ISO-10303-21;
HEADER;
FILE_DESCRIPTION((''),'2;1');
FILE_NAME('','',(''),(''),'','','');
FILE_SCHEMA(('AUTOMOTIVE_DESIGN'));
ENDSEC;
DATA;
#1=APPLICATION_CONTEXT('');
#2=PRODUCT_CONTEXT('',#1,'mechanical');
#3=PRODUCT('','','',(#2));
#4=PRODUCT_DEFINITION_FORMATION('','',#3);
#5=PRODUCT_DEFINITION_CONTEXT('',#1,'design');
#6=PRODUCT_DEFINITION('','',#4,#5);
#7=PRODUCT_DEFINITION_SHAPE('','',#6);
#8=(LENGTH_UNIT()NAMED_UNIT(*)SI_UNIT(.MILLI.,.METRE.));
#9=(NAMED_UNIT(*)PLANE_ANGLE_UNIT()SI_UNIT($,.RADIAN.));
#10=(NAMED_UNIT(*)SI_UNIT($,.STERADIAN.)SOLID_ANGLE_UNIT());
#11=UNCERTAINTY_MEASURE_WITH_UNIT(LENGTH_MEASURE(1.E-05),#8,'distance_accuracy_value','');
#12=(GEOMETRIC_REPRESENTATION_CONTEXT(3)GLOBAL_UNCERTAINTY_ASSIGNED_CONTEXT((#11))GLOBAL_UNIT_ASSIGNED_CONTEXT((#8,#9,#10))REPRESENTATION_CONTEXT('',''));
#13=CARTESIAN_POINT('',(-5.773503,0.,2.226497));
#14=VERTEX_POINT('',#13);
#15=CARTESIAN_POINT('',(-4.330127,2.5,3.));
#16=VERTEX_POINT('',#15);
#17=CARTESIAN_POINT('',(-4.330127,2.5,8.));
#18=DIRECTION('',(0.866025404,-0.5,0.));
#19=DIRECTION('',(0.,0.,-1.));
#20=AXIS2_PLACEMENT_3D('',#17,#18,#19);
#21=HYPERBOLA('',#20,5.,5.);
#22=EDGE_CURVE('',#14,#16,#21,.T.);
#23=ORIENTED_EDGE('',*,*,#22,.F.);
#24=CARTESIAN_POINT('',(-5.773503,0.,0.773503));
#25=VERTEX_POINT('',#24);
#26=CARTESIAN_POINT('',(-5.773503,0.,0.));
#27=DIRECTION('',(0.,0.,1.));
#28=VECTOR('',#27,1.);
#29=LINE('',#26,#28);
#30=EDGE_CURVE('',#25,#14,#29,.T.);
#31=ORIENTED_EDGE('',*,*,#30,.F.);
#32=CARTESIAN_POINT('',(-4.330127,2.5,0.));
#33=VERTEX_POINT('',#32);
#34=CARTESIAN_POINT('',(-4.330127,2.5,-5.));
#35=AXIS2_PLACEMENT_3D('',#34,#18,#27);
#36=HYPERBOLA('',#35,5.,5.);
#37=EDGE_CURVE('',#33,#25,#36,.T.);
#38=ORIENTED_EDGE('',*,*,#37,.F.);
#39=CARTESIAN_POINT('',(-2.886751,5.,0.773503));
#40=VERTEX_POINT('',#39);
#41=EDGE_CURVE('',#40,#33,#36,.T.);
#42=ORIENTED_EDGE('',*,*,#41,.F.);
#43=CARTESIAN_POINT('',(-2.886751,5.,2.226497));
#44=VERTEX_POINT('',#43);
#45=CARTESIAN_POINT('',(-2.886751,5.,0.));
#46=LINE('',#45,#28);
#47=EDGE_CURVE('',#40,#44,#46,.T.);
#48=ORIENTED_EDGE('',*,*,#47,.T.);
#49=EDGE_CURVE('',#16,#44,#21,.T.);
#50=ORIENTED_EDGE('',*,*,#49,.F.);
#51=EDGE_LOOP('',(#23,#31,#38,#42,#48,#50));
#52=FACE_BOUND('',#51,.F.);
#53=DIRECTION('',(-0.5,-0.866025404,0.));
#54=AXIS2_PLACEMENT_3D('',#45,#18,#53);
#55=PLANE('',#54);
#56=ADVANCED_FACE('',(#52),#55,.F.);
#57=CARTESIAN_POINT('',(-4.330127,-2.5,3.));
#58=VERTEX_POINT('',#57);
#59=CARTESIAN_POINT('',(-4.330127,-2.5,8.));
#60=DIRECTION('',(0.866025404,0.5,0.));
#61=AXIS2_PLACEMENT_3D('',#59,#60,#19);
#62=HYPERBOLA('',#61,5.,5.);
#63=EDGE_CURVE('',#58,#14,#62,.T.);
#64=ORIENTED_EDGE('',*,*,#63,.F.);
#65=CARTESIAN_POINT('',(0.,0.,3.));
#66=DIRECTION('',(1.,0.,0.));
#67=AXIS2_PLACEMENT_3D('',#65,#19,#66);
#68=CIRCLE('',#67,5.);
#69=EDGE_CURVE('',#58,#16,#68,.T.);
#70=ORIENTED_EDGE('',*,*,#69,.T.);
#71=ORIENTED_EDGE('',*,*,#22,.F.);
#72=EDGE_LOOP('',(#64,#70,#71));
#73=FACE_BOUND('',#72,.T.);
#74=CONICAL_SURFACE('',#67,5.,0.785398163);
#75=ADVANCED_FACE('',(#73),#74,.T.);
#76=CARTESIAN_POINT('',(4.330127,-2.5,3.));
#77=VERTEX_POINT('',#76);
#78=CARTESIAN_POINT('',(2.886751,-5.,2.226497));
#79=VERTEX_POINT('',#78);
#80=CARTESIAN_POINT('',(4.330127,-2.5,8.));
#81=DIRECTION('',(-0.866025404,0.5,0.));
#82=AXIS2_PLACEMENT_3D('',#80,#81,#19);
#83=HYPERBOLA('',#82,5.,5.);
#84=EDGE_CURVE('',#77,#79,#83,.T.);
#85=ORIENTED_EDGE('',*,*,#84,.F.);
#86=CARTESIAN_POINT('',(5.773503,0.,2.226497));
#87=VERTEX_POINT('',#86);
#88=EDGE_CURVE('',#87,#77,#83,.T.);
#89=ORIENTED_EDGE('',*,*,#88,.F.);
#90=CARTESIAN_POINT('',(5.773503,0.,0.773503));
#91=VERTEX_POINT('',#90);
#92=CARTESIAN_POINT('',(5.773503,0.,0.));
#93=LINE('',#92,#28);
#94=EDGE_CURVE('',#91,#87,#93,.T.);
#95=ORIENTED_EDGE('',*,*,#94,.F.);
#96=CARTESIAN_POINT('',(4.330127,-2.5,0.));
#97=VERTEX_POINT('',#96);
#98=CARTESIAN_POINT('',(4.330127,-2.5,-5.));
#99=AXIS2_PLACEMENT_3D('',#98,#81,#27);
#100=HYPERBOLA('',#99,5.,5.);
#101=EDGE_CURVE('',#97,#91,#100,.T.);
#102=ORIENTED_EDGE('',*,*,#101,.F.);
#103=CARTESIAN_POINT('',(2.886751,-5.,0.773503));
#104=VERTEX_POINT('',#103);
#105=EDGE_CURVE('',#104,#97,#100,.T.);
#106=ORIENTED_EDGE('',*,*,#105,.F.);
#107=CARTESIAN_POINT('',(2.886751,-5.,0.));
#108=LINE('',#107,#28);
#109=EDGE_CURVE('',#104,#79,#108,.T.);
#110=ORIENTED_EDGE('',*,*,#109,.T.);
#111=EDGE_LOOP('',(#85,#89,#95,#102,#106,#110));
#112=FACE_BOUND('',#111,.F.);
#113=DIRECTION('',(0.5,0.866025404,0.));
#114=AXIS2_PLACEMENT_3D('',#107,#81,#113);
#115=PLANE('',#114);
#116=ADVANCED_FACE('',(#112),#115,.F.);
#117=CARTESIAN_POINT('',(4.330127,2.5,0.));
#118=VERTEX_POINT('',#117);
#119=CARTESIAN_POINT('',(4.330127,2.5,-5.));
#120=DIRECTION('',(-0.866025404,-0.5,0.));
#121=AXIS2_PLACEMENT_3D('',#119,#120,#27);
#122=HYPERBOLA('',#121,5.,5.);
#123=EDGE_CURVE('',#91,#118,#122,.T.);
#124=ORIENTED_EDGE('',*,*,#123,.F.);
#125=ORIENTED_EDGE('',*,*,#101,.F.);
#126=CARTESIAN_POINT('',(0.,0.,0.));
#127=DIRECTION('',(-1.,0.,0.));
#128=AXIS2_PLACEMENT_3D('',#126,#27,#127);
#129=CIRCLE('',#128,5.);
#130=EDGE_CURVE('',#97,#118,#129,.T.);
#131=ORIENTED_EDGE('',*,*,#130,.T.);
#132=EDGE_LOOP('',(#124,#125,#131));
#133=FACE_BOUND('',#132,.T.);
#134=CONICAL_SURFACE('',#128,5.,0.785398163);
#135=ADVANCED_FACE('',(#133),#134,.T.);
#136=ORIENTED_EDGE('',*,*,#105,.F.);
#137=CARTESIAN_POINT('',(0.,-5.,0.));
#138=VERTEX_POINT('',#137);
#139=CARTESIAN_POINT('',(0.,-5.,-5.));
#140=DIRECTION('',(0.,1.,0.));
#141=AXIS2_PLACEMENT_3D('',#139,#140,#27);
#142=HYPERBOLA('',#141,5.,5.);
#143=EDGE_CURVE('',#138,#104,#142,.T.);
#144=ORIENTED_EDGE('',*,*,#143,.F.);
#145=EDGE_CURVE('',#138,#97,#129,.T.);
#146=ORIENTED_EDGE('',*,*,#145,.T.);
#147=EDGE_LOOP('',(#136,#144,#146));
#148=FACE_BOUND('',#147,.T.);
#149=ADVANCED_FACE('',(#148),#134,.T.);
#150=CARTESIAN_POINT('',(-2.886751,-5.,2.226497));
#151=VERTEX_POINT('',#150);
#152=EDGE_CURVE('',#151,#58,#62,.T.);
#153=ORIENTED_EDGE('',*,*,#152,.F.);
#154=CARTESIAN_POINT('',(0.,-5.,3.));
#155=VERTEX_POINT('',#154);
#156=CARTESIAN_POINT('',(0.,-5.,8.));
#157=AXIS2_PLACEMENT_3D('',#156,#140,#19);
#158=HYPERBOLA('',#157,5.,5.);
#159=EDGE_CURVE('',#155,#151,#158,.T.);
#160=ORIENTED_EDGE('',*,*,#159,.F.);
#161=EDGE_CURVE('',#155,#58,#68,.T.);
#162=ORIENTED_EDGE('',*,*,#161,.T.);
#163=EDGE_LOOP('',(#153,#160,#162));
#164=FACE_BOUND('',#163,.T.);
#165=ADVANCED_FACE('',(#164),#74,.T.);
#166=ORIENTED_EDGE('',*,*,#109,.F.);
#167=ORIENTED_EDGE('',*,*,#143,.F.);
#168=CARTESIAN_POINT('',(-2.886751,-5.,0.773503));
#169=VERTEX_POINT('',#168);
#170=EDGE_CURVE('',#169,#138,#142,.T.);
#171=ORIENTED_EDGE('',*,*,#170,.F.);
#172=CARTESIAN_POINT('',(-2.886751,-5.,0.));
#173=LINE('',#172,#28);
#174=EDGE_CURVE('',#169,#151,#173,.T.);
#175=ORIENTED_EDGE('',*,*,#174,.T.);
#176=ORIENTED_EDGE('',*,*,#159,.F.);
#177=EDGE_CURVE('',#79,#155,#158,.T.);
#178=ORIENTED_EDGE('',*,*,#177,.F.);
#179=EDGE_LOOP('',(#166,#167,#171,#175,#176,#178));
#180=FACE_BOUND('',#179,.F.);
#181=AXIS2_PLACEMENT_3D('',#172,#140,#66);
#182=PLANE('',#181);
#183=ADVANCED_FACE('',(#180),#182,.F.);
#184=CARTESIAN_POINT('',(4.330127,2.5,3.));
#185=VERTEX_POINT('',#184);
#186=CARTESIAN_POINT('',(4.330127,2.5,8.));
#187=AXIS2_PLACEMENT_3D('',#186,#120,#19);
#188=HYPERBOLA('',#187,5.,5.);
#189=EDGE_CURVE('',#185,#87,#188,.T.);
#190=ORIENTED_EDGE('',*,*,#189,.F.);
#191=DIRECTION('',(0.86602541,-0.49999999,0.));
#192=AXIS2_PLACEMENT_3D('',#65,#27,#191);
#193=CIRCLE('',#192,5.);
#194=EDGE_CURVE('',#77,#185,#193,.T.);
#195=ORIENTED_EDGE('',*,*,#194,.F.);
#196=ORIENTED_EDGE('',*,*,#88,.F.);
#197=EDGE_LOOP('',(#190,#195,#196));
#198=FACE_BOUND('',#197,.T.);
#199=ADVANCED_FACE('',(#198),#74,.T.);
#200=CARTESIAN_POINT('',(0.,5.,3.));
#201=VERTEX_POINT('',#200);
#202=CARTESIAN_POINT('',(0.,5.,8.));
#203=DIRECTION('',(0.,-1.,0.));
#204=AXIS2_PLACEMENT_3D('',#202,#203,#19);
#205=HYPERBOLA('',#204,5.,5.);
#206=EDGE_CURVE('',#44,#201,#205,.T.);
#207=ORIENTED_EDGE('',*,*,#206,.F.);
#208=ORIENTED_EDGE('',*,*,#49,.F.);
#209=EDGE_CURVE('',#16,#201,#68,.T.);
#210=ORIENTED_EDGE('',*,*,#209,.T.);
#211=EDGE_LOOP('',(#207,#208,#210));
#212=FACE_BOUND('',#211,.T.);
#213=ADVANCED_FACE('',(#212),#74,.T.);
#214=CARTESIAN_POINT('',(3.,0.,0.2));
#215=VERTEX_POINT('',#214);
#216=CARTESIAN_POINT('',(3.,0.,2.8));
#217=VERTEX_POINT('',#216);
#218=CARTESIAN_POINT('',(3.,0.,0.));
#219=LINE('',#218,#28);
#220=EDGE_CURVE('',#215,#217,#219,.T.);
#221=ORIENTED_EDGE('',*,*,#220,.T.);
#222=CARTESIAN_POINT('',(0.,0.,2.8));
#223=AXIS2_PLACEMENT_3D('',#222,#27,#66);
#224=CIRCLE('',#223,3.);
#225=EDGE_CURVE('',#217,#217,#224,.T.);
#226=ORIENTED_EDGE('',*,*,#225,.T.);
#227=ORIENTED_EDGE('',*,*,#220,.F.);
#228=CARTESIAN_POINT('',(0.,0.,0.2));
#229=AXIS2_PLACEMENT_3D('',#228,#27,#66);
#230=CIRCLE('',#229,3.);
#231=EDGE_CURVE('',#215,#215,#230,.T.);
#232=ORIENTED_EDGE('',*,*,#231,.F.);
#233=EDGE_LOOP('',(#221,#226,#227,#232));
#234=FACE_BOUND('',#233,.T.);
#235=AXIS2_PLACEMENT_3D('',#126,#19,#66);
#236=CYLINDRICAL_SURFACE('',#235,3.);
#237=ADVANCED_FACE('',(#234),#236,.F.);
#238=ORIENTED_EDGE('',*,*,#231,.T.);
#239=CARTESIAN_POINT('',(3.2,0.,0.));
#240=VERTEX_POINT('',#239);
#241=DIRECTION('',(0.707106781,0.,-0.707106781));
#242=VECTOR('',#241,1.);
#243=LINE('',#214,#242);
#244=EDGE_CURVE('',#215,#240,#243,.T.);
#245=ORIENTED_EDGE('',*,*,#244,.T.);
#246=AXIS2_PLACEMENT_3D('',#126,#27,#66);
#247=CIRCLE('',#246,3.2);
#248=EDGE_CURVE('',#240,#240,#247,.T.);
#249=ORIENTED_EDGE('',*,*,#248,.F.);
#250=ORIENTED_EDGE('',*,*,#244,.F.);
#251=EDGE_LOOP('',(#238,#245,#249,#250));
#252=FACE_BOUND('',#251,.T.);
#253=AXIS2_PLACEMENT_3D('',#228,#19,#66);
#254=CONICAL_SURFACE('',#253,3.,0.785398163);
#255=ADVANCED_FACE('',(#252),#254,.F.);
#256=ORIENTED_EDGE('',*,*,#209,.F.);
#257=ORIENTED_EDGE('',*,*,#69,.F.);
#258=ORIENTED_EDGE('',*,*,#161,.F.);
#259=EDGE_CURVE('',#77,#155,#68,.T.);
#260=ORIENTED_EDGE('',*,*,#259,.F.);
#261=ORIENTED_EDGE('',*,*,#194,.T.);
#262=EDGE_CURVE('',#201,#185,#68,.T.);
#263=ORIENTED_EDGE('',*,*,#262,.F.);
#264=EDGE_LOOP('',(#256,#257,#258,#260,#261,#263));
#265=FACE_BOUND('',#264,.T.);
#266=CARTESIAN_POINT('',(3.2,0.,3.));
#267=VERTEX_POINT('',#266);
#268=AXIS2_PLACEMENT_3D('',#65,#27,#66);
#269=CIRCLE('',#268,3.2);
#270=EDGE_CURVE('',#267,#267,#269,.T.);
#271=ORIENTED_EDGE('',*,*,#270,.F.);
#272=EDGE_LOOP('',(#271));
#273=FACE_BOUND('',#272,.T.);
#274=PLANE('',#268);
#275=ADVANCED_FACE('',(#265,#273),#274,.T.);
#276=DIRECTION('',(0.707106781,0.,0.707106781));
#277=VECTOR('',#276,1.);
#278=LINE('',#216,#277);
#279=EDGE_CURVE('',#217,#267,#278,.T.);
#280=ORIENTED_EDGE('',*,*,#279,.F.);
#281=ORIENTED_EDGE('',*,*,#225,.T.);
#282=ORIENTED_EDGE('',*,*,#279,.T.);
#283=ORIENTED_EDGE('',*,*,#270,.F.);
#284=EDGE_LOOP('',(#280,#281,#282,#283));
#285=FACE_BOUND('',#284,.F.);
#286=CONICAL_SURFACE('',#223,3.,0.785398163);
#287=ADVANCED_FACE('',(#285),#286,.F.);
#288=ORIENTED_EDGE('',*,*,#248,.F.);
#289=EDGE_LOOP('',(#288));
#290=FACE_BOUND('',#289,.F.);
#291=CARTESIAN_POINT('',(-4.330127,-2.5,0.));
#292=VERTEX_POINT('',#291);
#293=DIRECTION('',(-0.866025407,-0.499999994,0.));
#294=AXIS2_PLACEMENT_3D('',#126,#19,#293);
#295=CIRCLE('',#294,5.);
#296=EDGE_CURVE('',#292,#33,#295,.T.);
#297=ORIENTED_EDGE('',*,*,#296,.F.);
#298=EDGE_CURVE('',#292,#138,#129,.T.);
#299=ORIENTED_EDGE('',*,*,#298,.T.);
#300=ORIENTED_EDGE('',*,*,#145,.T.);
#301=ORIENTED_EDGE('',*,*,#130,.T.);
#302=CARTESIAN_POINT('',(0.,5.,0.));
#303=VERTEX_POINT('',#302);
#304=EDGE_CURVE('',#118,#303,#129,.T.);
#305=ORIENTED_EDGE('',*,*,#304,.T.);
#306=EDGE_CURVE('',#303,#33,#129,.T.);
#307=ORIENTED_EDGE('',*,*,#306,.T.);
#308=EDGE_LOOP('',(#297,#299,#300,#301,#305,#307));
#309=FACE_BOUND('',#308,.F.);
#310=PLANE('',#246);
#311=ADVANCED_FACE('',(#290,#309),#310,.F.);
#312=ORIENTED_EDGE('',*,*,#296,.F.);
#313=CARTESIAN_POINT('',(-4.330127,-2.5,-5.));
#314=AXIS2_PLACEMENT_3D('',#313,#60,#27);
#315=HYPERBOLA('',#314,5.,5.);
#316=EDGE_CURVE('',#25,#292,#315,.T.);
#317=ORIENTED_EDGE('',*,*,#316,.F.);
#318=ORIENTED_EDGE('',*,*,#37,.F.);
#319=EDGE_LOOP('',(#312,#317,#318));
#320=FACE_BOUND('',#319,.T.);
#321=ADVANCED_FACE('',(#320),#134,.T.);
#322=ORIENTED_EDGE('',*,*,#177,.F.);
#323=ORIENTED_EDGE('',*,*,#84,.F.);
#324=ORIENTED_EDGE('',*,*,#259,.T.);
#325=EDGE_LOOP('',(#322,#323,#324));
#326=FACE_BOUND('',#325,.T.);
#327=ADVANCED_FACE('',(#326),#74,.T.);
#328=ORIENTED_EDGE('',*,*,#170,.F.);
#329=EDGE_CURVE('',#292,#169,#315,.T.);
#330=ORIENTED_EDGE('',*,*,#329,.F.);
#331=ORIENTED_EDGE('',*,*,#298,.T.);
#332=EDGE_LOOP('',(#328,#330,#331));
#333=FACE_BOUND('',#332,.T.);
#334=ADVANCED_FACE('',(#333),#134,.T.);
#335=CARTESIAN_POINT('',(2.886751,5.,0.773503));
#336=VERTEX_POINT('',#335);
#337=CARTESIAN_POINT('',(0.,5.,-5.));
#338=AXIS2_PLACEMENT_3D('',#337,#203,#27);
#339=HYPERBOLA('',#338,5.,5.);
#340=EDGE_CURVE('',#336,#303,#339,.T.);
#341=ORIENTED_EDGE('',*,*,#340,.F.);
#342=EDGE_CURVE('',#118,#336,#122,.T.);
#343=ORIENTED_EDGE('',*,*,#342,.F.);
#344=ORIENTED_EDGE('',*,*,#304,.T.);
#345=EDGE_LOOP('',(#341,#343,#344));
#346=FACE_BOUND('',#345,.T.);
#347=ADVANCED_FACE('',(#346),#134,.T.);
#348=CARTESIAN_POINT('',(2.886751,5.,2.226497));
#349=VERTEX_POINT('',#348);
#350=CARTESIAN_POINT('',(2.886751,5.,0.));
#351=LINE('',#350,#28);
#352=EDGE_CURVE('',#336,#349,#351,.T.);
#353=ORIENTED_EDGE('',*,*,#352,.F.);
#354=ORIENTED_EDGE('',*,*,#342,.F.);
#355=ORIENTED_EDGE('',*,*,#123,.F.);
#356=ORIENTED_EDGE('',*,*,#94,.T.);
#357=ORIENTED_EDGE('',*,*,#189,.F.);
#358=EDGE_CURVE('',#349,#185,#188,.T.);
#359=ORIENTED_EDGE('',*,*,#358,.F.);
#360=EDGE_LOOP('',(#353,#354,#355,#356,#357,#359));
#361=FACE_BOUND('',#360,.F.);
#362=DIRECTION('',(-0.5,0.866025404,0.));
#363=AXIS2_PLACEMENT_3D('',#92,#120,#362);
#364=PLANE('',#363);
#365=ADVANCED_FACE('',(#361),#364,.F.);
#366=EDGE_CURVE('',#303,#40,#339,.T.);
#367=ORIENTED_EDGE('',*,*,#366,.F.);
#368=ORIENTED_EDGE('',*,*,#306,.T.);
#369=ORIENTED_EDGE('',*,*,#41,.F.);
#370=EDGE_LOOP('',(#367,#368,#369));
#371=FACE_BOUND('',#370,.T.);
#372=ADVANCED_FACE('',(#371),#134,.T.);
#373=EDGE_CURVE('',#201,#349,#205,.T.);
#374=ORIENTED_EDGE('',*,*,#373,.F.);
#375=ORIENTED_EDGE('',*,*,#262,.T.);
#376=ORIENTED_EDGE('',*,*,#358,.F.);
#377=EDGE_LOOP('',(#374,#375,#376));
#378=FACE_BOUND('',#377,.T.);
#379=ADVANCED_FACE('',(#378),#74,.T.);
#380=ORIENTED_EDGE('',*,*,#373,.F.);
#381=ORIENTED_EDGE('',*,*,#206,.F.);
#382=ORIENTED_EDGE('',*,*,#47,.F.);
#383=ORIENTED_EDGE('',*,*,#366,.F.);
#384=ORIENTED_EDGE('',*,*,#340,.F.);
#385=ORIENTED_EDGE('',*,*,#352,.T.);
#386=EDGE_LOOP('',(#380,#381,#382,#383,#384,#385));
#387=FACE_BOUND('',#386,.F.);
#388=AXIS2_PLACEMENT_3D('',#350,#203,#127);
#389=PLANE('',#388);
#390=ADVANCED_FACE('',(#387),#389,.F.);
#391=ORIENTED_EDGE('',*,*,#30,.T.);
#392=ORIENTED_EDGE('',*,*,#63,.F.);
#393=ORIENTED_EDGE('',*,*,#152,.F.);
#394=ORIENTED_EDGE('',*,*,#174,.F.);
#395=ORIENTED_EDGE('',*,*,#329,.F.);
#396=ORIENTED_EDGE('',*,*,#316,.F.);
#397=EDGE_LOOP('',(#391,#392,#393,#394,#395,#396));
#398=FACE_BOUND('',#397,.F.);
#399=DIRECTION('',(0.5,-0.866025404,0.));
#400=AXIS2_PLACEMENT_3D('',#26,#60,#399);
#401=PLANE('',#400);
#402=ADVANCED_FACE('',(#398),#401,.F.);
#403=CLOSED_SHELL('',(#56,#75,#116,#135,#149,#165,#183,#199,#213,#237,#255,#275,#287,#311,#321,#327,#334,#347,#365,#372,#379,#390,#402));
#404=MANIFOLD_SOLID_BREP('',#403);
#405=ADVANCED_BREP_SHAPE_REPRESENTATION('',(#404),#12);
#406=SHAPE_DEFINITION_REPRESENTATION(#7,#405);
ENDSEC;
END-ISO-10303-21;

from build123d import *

# Parameters (mm, degrees)
SKETCH_1_R          = 3
EXTRUDE_1_DEPTH     = 3
CHAMFER_1_SIZE      = 0.2
SKETCH_2_OUTSIDE_W  = 22.662
SKETCH_2_OUTSIDE_H  = 21.114
SKETCH_2_OUTSIDE_R  = 5
CUT_EXTRUDE_1_DEPTH = 3
CUT_EXTRUDE_1_TAPER = 45
SKETCH_3_OUTSIDE_W  = 22.662
SKETCH_3_OUTSIDE_H  = 21.114
SKETCH_3_OUTSIDE_R  = 5
CUT_EXTRUDE_2_DEPTH = 3
CUT_EXTRUDE_2_TAPER = 45


with BuildPart() as part:
    # Эскиз1 → Бобышка-Вытянуть1 (new body)
    with BuildSketch(Plane.XY):
        Polygon((5.773502692, 0), (2.886751346, 5), (-2.886751346, 5), (-5.773502692, 0), (-2.886751346, -5), (2.886751346, -5), align=None)
        Circle(SKETCH_1_R, mode=Mode.SUBTRACT)
    extrude(amount=EXTRUDE_1_DEPTH)

    # Фаска1
    chamfer_1_edges = [part.edges().sort_by_distance(p)[0] for p in [
        (-3, 0, 0),
        (-3, 0, 3),
    ]]
    chamfer(chamfer_1_edges, length=CHAMFER_1_SIZE)

    # Эскиз2 outside → Вырез-Вытянуть1 (cut)
    with BuildSketch(Plane.XY.offset(3)):
        Rectangle(SKETCH_2_OUTSIDE_W, SKETCH_2_OUTSIDE_H)
        Circle(SKETCH_2_OUTSIDE_R, mode=Mode.SUBTRACT)
    extrude(amount=-CUT_EXTRUDE_1_DEPTH, taper=CUT_EXTRUDE_1_TAPER, mode=Mode.SUBTRACT)

    # Эскиз3 outside → Вырез-Вытянуть2 (cut)
    with BuildSketch(Plane(origin=(0, 0, 0), x_dir=(-1, 0, 0), z_dir=(0, 0, -1))):
        Rectangle(SKETCH_3_OUTSIDE_W, SKETCH_3_OUTSIDE_H)
        Circle(SKETCH_3_OUTSIDE_R, mode=Mode.SUBTRACT)
    extrude(amount=-CUT_EXTRUDE_2_DEPTH, taper=CUT_EXTRUDE_2_TAPER, mode=Mode.SUBTRACT)


solid = part.part
